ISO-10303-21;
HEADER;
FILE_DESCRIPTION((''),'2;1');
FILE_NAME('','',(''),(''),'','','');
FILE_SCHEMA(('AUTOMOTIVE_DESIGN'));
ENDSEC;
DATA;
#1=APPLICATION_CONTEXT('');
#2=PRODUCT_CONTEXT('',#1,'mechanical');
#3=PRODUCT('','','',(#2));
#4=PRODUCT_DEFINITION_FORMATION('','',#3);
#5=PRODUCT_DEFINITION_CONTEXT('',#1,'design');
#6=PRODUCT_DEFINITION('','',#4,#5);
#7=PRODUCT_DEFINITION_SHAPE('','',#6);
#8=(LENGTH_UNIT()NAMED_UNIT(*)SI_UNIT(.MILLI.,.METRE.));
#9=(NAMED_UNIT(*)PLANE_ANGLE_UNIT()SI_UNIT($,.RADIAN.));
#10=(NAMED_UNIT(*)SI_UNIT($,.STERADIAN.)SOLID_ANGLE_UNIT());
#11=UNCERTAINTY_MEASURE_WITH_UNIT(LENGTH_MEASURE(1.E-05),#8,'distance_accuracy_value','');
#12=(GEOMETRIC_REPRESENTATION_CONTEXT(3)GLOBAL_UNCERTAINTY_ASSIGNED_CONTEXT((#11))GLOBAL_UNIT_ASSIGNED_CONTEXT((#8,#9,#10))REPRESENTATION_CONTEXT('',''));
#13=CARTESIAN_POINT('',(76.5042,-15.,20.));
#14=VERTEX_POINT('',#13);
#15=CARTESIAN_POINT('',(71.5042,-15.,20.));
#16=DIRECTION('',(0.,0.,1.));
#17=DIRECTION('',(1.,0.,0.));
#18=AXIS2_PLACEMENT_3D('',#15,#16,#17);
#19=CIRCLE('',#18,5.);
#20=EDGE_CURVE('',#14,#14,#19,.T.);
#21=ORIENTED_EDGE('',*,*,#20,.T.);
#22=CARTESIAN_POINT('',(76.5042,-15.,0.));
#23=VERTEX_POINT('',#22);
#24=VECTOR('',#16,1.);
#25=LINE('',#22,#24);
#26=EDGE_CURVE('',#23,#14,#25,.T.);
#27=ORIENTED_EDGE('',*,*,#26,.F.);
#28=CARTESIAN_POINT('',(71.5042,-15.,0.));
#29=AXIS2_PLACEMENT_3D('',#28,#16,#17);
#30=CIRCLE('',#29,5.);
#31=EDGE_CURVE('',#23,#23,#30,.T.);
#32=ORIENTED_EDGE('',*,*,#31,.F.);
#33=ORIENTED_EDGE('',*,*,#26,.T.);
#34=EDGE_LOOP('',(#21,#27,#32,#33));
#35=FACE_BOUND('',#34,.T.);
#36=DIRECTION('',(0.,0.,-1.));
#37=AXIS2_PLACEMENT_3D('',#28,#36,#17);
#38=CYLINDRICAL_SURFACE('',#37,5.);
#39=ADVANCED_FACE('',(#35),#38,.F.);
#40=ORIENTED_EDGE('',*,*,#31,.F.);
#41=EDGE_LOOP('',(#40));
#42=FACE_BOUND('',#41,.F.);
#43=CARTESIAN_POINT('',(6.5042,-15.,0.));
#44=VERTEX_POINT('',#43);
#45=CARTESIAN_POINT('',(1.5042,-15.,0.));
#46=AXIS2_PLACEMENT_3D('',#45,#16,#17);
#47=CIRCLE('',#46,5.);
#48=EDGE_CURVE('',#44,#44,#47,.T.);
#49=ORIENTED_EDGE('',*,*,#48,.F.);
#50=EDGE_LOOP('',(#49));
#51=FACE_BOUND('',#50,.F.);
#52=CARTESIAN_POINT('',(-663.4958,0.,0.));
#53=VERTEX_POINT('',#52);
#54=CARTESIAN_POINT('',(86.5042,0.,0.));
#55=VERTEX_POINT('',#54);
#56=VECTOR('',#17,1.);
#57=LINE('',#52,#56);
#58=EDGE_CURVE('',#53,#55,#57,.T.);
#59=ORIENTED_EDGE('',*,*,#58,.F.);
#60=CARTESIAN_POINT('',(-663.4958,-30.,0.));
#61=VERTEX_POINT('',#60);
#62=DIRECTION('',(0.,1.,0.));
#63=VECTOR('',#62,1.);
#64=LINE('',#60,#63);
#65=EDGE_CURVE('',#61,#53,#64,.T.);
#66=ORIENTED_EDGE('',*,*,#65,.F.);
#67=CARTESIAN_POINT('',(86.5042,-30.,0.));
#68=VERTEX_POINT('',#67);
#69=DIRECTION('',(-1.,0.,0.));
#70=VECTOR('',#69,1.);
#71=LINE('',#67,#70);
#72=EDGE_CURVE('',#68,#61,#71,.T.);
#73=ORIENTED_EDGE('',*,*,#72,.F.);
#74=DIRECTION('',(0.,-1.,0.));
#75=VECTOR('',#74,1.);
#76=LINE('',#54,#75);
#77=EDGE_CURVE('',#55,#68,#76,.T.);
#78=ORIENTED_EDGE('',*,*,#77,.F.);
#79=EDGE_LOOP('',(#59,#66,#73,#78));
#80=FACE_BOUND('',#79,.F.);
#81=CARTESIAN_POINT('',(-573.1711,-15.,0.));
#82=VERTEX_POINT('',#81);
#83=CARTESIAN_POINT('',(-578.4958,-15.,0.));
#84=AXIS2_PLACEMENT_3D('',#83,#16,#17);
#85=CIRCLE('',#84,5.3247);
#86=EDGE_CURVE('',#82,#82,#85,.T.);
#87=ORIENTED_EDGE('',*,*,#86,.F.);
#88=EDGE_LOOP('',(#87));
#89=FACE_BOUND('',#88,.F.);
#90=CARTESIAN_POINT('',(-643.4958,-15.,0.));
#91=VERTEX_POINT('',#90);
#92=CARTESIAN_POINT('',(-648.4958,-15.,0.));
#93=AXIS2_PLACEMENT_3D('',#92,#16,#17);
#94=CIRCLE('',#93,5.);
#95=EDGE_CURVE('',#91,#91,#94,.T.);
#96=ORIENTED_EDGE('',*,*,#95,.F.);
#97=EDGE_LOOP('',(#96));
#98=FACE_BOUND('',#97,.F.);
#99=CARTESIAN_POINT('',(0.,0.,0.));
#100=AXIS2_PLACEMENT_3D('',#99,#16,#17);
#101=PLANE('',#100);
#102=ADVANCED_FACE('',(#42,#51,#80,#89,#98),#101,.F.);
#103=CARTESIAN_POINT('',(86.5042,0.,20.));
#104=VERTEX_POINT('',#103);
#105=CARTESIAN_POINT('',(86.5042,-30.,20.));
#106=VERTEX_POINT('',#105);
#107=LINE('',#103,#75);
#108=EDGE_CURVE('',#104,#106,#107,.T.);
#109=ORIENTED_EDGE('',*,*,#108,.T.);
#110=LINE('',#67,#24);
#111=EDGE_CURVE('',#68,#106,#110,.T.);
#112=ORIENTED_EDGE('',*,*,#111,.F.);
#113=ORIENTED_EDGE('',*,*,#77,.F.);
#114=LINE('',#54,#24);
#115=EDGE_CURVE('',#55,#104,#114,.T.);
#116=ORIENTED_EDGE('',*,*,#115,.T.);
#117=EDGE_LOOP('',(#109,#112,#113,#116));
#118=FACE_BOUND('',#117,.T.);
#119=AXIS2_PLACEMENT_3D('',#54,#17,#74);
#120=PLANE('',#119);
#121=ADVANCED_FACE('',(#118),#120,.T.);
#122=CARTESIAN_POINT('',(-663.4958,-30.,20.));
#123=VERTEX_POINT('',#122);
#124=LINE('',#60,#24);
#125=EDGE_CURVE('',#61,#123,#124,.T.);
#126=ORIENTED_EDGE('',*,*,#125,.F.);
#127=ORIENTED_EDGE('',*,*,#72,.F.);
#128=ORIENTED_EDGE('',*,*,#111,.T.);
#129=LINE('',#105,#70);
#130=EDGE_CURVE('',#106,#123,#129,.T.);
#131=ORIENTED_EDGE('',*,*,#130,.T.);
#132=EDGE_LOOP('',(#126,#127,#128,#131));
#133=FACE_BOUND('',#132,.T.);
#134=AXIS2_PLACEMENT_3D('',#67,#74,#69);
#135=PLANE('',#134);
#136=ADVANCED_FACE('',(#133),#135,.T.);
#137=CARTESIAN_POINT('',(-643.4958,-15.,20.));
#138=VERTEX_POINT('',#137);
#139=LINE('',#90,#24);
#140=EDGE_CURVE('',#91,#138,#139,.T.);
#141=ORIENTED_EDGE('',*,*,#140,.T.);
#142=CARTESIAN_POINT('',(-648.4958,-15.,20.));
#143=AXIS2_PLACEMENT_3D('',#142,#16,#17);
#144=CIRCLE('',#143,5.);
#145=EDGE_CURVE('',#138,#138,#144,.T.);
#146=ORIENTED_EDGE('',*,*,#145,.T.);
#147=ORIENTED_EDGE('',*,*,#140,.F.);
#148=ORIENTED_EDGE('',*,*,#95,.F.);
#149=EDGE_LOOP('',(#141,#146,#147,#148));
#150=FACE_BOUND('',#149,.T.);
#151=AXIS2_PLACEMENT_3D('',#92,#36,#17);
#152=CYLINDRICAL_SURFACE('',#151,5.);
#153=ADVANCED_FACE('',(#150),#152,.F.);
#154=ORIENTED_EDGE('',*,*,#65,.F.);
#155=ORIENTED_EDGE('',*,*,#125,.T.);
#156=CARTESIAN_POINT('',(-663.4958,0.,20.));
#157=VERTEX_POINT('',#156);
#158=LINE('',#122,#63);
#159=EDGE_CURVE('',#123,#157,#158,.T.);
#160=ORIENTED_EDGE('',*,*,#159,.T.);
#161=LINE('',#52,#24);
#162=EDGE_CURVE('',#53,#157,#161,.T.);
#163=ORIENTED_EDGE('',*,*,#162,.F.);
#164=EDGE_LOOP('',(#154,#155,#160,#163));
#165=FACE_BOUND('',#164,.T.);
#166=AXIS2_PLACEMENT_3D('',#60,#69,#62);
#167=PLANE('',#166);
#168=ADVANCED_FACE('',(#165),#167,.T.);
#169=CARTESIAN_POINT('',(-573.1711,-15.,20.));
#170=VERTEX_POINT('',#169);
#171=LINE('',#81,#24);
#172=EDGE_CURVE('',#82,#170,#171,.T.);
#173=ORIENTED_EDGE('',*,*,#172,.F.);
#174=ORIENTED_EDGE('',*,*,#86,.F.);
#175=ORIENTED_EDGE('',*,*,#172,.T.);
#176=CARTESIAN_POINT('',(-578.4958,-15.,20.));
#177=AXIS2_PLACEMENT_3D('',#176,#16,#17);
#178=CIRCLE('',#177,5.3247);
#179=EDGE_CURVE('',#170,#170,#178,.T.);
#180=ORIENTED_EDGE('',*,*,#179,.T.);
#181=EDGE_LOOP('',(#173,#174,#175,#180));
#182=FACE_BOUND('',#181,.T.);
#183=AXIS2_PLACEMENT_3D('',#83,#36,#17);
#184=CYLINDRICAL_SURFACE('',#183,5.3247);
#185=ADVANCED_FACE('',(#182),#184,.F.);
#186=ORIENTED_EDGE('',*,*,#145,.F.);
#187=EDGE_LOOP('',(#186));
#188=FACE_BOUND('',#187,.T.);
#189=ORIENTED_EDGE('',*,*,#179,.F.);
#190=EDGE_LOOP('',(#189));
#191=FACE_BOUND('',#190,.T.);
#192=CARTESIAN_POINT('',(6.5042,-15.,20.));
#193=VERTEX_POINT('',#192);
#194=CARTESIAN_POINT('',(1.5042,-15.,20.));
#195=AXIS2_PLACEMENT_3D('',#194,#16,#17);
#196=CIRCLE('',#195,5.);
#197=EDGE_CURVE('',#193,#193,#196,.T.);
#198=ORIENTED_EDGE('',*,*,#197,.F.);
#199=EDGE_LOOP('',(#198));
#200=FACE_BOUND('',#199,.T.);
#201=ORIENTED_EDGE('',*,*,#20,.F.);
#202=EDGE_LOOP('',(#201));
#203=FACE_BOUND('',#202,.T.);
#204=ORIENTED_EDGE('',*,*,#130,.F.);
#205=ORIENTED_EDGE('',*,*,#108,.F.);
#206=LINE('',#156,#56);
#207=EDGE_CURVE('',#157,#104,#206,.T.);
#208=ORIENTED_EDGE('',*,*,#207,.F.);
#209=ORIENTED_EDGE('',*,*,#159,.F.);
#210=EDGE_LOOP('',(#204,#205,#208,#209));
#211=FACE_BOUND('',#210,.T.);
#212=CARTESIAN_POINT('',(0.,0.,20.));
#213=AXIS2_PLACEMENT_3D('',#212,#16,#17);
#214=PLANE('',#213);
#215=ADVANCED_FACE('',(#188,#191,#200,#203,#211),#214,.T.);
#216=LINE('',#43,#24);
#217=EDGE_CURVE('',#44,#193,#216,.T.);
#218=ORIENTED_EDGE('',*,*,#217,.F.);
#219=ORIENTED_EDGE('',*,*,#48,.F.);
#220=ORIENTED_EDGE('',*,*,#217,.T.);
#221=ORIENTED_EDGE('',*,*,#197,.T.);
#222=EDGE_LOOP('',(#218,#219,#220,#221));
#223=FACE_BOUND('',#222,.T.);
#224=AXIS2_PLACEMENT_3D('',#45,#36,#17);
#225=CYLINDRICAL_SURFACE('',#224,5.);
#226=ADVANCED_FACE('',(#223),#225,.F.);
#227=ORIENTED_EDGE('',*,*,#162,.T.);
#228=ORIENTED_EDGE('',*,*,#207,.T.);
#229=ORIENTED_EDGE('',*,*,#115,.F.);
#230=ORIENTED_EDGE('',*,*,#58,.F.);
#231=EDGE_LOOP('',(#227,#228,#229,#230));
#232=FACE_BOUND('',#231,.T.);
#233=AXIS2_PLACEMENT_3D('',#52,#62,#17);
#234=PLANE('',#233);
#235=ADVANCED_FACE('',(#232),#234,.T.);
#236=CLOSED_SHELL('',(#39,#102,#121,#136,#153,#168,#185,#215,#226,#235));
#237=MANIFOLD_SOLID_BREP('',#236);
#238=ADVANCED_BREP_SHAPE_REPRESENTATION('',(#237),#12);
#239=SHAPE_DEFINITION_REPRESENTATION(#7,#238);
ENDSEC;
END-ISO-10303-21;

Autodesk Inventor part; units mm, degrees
ref_plane "YZ Plane" through (0, 0, 0) normal (1, 0, 0) x (0, 1, 0)
ref_plane "XZ Plane" through (0, 0, 0) normal (0, 1, 0) x (-1, 0, 0)
ref_plane "XY Plane" through (0, 0, 0) normal (0, 0, 1) x (1, 0, 0)
sketch "Sketch1" plane through (0, 0, 0) normal (0, 0, 1) x (1, 0, 0)
  line L0 (86.5042, -30) -> (-663.4958, -30)
  line L1 (-663.4958, -30) -> (-663.4958, 0)
  line L2 (-663.4958, 0) -> (86.5042, 0)
  line L3 (86.5042, 0) -> (86.5042, -30)
  circle A0 centre (71.5042, -15) radius 5
  circle A1 centre (1.5042, -15) radius 5
  circle A2 centre (-648.4958, -15) radius 5
  circle A3 centre (-578.4958, -15) radius 5.3247
  point P0 (0, 0)
  dimension "d0" = 30
  dimension "d1" = 750
  dimension "d2" = 10
  dimension "d3" = 15
  dimension "d4" = 15
  dimension "d5" = 15
  dimension "d6" = 10
  dimension "d7" = 70
  dimension "d8" = 15
  dimension "d9" = 10
  dimension "d10" = 15
  dimension "d11" = 15
  dimension "d12" = 70
extrude "Extrusion1" add sketch "Sketch1" along normal blind 20
properties part number "SeatBackSidePlate" material "Wood (Birch)"
